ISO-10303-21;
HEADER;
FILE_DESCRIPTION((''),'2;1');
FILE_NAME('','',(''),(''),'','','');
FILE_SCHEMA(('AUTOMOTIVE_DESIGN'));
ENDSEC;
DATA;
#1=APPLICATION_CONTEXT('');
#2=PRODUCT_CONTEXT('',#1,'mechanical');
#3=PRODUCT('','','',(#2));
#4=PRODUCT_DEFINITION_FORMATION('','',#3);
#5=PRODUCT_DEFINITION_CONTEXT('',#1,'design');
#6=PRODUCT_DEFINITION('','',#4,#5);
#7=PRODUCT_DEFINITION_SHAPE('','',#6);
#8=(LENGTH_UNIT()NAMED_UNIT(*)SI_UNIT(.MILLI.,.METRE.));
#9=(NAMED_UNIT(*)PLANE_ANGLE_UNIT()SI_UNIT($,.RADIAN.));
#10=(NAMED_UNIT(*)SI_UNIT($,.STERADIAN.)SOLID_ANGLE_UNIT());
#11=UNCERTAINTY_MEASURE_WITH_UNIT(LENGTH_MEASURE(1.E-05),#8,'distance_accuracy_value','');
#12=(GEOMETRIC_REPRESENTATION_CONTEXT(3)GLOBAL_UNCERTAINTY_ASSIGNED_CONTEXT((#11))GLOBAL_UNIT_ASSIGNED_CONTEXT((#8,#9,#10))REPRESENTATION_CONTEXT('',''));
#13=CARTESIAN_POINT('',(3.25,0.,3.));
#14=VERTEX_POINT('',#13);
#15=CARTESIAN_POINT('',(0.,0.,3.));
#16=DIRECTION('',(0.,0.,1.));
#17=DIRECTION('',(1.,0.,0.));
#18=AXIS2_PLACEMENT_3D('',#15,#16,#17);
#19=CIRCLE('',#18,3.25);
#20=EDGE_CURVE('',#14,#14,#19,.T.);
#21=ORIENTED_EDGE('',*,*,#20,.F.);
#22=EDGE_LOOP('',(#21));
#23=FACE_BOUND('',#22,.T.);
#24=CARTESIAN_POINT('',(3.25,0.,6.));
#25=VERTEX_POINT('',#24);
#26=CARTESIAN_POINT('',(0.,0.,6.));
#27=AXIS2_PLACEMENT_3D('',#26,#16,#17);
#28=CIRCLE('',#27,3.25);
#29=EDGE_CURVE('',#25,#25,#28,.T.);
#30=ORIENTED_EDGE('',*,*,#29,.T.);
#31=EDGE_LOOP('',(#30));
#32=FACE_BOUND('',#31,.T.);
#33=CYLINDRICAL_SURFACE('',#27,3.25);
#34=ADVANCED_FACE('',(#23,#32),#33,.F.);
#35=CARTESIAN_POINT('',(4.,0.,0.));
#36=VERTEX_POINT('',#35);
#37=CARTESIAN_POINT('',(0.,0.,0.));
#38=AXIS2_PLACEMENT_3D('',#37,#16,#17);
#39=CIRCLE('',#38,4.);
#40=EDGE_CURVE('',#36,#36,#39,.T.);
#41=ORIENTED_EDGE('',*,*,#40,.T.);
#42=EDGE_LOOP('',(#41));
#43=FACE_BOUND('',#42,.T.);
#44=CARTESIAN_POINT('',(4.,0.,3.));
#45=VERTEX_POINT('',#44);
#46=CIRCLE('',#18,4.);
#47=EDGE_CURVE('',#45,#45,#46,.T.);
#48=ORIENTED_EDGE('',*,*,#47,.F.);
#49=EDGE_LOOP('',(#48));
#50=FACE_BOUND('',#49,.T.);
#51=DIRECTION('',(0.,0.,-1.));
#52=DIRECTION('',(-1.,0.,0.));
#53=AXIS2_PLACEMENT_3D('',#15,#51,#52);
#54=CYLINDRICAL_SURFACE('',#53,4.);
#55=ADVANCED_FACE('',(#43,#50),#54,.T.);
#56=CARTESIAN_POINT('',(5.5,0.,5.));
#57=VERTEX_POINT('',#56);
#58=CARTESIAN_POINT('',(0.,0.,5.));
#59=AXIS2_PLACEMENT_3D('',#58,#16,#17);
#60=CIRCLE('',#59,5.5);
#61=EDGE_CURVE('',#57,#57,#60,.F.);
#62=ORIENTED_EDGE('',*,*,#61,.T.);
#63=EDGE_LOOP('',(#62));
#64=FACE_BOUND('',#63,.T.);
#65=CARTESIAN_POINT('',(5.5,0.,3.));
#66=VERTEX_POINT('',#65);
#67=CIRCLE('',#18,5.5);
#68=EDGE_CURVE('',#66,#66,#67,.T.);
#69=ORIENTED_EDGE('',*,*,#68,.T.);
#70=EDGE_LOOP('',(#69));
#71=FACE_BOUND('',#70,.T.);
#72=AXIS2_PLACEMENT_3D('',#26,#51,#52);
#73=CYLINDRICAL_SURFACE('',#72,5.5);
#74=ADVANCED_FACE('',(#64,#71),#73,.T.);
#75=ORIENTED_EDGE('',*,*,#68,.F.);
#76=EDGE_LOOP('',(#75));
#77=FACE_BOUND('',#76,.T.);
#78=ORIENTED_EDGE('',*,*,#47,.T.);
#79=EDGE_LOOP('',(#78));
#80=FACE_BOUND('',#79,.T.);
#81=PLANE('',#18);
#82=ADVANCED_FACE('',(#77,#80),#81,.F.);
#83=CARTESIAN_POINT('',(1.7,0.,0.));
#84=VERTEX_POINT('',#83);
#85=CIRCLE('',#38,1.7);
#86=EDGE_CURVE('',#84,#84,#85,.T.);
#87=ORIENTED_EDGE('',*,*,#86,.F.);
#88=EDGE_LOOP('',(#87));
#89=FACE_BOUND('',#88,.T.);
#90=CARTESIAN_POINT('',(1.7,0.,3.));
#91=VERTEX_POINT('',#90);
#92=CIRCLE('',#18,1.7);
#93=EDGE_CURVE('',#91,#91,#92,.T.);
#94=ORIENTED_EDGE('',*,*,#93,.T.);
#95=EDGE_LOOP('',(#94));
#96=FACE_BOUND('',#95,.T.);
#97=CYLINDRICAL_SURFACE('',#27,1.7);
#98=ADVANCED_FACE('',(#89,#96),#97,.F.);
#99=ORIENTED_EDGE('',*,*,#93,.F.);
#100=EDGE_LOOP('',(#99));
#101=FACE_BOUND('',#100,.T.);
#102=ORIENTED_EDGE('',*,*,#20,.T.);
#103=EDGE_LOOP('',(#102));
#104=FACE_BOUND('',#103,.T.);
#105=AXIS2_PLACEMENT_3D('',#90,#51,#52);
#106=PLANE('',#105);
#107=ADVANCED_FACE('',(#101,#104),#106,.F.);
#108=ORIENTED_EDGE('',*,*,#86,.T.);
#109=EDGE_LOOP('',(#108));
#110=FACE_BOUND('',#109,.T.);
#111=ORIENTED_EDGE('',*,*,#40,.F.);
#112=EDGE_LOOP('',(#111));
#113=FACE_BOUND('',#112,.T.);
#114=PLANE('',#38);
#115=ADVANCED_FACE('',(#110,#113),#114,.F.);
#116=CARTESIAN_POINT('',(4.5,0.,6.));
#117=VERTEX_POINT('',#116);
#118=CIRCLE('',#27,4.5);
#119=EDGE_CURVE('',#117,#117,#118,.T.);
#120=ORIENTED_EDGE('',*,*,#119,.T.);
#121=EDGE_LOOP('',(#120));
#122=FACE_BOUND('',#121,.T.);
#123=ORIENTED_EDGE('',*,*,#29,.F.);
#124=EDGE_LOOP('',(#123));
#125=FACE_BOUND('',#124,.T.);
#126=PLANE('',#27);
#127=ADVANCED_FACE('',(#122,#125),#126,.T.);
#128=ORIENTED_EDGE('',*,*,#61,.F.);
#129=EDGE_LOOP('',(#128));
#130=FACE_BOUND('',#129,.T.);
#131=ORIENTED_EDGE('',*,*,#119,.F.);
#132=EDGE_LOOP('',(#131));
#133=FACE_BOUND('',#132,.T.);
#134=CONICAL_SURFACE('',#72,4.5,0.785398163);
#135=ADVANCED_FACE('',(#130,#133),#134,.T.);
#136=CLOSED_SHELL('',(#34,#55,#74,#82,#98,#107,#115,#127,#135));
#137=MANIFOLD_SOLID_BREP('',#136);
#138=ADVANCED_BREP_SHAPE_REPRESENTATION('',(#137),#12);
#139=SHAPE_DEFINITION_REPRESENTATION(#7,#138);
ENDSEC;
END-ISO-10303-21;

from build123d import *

# Parameters (mm, degrees)
SKETCH1_R                      = 4
BOSS_EXTRUDE1_DEPTH            = 3
SKETCH2_R                      = 5.5
BOSS_EXTRUDE2_DEPTH            = 3
CBORE_FOR_M3_SHCS1_D           = 3.4
CBORE_FOR_M3_SHCS1_CBORE_D     = 6.5
CBORE_FOR_M3_SHCS1_CBORE_DEPTH = 3
CHAMFER1_SIZE                  = 1


with BuildPart() as part:
    # Sketch1 → Boss-Extrude1 (new body)
    with BuildSketch(Plane.XY):
        Circle(SKETCH1_R)
    extrude(amount=BOSS_EXTRUDE1_DEPTH)

    # Sketch2 → Boss-Extrude2 (add)
    with BuildSketch(Plane.XY.offset(3)):
        Circle(SKETCH2_R)
    extrude(amount=BOSS_EXTRUDE2_DEPTH)

    # CBORE for M3 SHCS1 (through all)
    with Locations(Plane.XY.offset(6)):
        with Locations((0, 0)):
            CounterBoreHole(CBORE_FOR_M3_SHCS1_D / 2, CBORE_FOR_M3_SHCS1_CBORE_D / 2, CBORE_FOR_M3_SHCS1_CBORE_DEPTH)

    # Chamfer1
    chamfer1_edges = [part.edges().sort_by_distance(p)[0] for p in [
        (-5.5, 0, 6),
    ]]
    chamfer(chamfer1_edges, length=CHAMFER1_SIZE)


solid = part.part
